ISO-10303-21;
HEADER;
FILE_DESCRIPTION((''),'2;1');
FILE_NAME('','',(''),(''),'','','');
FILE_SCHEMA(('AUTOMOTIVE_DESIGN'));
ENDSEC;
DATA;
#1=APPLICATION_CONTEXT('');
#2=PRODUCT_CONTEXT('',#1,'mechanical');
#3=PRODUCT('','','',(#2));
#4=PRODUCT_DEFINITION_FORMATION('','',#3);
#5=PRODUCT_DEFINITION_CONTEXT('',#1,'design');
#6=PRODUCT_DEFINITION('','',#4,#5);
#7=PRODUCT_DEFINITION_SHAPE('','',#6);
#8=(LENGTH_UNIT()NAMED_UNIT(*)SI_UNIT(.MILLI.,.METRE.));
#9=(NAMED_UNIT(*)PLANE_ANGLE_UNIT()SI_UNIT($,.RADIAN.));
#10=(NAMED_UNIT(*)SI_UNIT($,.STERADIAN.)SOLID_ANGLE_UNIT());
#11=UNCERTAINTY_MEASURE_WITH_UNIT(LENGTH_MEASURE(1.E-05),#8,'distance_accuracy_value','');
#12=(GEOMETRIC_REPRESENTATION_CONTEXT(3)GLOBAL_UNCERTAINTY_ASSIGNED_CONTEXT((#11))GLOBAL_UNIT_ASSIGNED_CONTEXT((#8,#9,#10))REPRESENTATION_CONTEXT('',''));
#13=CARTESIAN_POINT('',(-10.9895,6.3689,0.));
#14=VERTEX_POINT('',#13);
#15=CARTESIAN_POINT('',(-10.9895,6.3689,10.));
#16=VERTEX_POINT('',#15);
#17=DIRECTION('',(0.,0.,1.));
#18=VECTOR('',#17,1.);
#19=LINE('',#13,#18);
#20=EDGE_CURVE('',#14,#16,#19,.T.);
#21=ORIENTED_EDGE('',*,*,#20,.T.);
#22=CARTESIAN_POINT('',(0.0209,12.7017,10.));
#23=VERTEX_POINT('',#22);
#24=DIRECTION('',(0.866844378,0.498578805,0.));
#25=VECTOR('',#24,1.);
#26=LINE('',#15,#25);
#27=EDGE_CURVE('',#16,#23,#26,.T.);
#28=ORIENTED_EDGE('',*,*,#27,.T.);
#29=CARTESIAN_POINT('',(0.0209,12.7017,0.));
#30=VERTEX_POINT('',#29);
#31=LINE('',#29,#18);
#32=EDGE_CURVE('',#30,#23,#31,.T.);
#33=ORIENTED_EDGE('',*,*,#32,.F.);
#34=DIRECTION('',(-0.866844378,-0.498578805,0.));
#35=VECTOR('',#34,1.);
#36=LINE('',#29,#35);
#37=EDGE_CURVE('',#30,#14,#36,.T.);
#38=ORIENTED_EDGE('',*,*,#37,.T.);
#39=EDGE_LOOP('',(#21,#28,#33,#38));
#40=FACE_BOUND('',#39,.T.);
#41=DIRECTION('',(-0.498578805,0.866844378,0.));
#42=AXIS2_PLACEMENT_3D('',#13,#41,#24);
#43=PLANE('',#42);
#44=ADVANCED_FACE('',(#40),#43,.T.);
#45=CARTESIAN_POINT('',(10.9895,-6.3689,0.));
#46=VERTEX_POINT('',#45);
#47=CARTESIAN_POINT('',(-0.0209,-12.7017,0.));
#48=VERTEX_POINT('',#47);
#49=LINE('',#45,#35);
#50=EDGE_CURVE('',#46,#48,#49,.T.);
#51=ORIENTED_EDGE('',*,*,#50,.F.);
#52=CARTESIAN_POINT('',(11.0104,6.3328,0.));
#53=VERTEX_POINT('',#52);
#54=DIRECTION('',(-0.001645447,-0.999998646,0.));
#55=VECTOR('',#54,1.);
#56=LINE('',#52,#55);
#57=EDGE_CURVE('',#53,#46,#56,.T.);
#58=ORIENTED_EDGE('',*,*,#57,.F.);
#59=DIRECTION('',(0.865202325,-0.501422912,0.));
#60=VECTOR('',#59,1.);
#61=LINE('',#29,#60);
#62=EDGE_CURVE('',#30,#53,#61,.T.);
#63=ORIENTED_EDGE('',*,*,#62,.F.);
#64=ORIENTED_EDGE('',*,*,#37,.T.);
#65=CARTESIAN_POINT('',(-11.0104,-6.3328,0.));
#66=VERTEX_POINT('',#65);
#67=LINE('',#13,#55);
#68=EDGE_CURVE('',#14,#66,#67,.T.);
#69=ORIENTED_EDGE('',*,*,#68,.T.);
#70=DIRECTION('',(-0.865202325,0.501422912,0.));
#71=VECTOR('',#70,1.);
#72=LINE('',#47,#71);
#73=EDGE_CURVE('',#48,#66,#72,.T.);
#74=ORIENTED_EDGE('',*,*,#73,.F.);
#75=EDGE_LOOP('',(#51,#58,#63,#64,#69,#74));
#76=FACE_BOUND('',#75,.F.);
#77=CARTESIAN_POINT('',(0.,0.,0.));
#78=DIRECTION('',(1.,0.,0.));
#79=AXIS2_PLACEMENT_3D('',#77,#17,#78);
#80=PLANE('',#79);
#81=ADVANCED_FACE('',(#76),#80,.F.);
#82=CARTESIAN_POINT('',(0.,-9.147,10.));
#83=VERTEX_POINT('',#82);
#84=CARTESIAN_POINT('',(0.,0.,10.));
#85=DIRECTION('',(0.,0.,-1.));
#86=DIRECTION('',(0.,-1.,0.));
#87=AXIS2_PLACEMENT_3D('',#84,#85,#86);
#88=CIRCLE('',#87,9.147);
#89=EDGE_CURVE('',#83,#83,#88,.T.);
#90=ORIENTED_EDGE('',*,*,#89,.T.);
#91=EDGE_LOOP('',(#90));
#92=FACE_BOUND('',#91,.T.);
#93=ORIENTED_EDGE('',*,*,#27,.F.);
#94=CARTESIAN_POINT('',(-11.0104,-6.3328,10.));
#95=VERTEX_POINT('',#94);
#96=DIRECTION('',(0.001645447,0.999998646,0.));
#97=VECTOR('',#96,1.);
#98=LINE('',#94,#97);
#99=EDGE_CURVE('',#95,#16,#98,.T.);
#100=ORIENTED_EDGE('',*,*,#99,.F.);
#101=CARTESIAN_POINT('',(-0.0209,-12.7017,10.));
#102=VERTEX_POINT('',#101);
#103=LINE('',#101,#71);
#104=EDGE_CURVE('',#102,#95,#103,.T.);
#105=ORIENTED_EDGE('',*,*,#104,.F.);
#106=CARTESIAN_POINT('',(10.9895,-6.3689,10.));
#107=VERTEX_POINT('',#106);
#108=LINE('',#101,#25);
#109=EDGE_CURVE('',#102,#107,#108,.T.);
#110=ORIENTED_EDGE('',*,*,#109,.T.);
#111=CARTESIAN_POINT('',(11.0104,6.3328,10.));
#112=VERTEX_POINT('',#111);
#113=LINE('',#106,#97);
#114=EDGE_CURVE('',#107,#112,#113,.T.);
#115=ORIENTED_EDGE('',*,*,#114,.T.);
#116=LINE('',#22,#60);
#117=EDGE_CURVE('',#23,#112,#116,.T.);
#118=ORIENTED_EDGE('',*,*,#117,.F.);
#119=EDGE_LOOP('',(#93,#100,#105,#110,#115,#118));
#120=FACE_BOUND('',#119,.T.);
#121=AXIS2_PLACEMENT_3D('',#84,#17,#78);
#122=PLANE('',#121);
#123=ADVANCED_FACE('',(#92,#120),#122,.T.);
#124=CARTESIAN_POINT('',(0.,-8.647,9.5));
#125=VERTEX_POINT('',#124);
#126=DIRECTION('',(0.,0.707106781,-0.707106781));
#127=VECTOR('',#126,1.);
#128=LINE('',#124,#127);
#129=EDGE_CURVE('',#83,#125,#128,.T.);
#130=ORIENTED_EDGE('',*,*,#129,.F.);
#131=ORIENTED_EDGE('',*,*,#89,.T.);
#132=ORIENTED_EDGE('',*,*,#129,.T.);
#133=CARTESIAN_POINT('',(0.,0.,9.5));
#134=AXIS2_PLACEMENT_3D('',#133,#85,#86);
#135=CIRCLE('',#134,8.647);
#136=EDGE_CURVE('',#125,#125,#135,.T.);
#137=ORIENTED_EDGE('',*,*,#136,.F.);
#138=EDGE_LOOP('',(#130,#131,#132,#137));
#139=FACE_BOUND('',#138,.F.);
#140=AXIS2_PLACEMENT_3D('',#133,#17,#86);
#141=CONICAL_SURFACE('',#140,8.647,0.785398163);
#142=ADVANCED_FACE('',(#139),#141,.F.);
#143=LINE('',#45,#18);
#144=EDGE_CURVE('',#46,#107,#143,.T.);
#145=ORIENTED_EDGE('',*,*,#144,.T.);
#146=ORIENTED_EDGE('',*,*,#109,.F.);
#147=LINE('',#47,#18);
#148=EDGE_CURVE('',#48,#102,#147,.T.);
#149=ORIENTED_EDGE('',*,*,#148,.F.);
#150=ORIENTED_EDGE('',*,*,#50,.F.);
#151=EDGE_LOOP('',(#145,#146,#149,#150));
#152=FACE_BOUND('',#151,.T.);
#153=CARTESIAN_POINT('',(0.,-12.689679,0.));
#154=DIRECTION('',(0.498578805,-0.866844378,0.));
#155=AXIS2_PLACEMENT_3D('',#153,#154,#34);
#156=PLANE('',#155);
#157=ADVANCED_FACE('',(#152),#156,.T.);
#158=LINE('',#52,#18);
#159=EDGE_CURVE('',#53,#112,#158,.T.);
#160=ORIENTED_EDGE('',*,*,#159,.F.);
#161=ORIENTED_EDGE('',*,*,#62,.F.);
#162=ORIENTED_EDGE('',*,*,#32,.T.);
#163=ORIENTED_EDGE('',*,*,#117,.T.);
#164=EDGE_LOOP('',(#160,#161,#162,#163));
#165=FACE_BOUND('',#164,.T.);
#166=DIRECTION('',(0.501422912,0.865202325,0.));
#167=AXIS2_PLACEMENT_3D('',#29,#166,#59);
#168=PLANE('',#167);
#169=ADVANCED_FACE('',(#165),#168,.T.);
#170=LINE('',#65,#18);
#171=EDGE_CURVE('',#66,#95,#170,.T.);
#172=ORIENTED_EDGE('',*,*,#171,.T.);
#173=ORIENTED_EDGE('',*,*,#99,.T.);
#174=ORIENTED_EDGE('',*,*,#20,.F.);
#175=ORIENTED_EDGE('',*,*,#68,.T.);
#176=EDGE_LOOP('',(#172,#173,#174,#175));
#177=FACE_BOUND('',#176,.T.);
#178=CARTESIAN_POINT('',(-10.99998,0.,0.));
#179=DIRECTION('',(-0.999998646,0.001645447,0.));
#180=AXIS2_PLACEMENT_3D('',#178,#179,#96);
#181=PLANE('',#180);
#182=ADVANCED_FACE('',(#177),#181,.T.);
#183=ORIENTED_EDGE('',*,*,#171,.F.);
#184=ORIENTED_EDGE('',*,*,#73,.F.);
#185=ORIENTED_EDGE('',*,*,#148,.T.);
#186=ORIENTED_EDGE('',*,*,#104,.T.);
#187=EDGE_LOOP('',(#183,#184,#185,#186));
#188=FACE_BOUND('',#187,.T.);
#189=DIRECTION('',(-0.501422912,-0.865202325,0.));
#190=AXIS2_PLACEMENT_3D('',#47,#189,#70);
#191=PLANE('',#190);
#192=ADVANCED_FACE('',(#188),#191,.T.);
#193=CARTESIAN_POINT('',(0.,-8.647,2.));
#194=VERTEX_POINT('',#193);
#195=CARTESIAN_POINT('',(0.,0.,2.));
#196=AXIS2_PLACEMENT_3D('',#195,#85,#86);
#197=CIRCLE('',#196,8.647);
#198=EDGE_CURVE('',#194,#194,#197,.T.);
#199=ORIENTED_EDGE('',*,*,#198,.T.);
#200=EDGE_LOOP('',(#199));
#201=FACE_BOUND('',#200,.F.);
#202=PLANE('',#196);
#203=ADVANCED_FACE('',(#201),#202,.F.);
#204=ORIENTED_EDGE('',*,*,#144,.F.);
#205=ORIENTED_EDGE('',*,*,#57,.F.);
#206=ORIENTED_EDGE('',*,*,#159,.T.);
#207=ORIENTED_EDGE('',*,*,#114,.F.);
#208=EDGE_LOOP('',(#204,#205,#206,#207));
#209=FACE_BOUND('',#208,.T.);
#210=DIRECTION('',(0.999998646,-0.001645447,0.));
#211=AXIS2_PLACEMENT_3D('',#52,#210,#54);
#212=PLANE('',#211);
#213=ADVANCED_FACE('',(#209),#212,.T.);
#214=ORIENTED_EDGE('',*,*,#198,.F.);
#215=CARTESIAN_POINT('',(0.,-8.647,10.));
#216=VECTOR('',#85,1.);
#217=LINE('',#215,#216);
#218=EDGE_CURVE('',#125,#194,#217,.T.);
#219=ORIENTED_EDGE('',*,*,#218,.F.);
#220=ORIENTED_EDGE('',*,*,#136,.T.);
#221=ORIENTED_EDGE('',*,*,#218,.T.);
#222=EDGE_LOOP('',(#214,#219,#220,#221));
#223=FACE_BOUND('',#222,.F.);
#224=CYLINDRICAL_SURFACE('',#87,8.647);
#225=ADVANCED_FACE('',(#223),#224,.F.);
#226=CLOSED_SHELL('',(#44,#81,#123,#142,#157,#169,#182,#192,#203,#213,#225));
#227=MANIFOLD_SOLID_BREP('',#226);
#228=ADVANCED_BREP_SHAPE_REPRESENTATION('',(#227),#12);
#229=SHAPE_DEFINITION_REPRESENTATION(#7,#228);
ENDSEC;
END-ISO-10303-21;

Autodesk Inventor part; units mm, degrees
ref_plane "YZ Plane" through (0, 0, 0) normal (1, 0, 0) x (0, 1, 0)
ref_plane "XZ Plane" through (0, 0, 0) normal (0, 1, 0) x (-1, 0, 0)
ref_plane "XY Plane" through (0, 0, 0) normal (0, 0, 1) x (1, 0, 0)
sketch "Skizze1" plane through (0, 0, 0) normal (0, 0, 1) x (1, 0, 0)
  line L0 (-15.4146, 0) -> (15.4146, 0) projected
  line L1 (0, -17.7824) -> (0, 17.7824) projected
  line L2 (-10.9895, 6.3689) -> (0.0209, 12.7017)
  line L3 (0.0209, 12.7017) -> (11.0104, 6.3328)
  line L4 (11.0104, 6.3328) -> (10.9895, -6.3689)
  line L5 (10.9895, -6.3689) -> (-0.0209, -12.7017)
  line L6 (-0.0209, -12.7017) -> (-11.0104, -6.3328)
  line L7 (-11.0104, -6.3328) -> (-10.9895, 6.3689)
  circle A0 centre (0, 0) radius 10
  dimension "d0" = 20
  dimension "d1" = 11
extrude "Extrusion1" add sketch "Skizze1" along normal blind 10
sketch "Skizze2" plane through (0, 0, 10) normal (0, 0, 1) x (1, 0, 0)
  point P0 (0, 0)
hole "Bohrung1" at (0, 0, 10) direction (0, 0, -1) diameter 17.294 depth 8 thread size "M20x2.5" class "6H" standard "ISO Metric profile"
chamfer "Fase1" distance 0.5 angle 45 1 edges at (0, 8.647, 10)
properties part number "Wasserverteiler2"
